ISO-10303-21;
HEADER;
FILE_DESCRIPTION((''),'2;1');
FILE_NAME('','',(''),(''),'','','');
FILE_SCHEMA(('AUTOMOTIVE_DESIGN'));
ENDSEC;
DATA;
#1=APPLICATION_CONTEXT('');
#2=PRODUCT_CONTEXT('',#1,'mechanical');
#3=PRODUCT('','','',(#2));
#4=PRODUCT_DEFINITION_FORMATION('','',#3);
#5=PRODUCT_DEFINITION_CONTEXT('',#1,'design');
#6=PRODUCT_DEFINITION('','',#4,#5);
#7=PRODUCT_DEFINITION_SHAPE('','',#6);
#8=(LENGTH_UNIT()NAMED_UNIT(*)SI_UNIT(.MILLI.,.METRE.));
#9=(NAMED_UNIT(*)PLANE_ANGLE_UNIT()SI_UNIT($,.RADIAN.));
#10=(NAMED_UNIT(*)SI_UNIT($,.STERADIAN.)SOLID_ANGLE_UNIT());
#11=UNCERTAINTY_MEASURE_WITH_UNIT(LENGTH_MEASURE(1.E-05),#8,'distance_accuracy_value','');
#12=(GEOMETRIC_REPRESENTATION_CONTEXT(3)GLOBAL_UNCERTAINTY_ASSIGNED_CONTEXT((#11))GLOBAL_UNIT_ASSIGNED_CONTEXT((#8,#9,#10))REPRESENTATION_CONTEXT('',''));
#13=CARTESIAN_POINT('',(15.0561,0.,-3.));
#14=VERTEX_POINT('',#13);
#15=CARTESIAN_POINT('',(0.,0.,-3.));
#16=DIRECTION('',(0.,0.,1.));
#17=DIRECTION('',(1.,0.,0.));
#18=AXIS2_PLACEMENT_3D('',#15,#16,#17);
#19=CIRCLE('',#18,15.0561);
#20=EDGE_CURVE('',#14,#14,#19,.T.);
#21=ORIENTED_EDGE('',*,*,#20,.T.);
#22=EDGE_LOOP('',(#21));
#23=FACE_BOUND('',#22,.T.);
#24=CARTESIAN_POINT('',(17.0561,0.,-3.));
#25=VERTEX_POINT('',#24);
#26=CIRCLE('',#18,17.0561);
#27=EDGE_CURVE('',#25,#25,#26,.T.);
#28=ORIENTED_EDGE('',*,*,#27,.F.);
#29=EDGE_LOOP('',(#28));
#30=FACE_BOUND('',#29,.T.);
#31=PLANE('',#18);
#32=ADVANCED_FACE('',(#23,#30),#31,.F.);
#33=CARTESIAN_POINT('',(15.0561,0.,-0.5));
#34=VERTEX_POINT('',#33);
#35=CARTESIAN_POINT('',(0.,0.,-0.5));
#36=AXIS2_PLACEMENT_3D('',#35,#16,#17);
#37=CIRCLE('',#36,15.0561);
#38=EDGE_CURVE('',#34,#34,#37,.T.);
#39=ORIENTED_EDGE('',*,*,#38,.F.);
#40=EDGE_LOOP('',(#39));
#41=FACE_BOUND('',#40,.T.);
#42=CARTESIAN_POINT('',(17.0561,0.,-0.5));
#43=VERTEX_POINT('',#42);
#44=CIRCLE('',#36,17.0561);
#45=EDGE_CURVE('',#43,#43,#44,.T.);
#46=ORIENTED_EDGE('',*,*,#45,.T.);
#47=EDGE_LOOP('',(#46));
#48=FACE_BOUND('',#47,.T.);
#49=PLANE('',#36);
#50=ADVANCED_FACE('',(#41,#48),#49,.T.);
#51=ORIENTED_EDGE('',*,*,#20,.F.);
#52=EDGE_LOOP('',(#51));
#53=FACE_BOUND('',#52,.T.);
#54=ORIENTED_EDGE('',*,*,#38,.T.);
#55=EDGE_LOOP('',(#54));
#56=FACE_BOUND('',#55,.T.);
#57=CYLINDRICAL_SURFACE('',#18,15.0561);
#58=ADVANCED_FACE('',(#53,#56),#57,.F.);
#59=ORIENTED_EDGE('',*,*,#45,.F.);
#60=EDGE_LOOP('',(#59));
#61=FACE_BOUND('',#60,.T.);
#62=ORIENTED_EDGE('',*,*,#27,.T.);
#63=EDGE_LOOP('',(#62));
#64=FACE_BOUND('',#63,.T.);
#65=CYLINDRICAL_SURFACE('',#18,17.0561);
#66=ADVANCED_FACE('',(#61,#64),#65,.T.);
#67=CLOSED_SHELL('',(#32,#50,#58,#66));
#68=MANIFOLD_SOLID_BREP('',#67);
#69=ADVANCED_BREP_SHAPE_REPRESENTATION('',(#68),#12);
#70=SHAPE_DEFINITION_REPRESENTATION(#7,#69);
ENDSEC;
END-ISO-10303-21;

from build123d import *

# Parameters (mm, degrees)
SKETCH1_R                  = 17.0561
SKETCH1_R_2                = 15.0561
RECEPTACLE_LIGHTPIPE_DEPTH = 3
FACE_OFFSET_BY             = 0.5


with BuildPart() as part:
    # Sketch1 → Receptacle Lightpipe (new body)
    with BuildSketch(Plane.XY):
        Circle(SKETCH1_R)
        Circle(SKETCH1_R_2, mode=Mode.SUBTRACT)
    extrude(amount=-RECEPTACLE_LIGHTPIPE_DEPTH)

    # Face Offset: a face moved inward by 0.5
    extrude(part.faces().sort_by_distance((-8.52805, -13.64488, 0))[0], amount=FACE_OFFSET_BY, dir=(0, 0, -1), mode=Mode.SUBTRACT)


solid = part.part
